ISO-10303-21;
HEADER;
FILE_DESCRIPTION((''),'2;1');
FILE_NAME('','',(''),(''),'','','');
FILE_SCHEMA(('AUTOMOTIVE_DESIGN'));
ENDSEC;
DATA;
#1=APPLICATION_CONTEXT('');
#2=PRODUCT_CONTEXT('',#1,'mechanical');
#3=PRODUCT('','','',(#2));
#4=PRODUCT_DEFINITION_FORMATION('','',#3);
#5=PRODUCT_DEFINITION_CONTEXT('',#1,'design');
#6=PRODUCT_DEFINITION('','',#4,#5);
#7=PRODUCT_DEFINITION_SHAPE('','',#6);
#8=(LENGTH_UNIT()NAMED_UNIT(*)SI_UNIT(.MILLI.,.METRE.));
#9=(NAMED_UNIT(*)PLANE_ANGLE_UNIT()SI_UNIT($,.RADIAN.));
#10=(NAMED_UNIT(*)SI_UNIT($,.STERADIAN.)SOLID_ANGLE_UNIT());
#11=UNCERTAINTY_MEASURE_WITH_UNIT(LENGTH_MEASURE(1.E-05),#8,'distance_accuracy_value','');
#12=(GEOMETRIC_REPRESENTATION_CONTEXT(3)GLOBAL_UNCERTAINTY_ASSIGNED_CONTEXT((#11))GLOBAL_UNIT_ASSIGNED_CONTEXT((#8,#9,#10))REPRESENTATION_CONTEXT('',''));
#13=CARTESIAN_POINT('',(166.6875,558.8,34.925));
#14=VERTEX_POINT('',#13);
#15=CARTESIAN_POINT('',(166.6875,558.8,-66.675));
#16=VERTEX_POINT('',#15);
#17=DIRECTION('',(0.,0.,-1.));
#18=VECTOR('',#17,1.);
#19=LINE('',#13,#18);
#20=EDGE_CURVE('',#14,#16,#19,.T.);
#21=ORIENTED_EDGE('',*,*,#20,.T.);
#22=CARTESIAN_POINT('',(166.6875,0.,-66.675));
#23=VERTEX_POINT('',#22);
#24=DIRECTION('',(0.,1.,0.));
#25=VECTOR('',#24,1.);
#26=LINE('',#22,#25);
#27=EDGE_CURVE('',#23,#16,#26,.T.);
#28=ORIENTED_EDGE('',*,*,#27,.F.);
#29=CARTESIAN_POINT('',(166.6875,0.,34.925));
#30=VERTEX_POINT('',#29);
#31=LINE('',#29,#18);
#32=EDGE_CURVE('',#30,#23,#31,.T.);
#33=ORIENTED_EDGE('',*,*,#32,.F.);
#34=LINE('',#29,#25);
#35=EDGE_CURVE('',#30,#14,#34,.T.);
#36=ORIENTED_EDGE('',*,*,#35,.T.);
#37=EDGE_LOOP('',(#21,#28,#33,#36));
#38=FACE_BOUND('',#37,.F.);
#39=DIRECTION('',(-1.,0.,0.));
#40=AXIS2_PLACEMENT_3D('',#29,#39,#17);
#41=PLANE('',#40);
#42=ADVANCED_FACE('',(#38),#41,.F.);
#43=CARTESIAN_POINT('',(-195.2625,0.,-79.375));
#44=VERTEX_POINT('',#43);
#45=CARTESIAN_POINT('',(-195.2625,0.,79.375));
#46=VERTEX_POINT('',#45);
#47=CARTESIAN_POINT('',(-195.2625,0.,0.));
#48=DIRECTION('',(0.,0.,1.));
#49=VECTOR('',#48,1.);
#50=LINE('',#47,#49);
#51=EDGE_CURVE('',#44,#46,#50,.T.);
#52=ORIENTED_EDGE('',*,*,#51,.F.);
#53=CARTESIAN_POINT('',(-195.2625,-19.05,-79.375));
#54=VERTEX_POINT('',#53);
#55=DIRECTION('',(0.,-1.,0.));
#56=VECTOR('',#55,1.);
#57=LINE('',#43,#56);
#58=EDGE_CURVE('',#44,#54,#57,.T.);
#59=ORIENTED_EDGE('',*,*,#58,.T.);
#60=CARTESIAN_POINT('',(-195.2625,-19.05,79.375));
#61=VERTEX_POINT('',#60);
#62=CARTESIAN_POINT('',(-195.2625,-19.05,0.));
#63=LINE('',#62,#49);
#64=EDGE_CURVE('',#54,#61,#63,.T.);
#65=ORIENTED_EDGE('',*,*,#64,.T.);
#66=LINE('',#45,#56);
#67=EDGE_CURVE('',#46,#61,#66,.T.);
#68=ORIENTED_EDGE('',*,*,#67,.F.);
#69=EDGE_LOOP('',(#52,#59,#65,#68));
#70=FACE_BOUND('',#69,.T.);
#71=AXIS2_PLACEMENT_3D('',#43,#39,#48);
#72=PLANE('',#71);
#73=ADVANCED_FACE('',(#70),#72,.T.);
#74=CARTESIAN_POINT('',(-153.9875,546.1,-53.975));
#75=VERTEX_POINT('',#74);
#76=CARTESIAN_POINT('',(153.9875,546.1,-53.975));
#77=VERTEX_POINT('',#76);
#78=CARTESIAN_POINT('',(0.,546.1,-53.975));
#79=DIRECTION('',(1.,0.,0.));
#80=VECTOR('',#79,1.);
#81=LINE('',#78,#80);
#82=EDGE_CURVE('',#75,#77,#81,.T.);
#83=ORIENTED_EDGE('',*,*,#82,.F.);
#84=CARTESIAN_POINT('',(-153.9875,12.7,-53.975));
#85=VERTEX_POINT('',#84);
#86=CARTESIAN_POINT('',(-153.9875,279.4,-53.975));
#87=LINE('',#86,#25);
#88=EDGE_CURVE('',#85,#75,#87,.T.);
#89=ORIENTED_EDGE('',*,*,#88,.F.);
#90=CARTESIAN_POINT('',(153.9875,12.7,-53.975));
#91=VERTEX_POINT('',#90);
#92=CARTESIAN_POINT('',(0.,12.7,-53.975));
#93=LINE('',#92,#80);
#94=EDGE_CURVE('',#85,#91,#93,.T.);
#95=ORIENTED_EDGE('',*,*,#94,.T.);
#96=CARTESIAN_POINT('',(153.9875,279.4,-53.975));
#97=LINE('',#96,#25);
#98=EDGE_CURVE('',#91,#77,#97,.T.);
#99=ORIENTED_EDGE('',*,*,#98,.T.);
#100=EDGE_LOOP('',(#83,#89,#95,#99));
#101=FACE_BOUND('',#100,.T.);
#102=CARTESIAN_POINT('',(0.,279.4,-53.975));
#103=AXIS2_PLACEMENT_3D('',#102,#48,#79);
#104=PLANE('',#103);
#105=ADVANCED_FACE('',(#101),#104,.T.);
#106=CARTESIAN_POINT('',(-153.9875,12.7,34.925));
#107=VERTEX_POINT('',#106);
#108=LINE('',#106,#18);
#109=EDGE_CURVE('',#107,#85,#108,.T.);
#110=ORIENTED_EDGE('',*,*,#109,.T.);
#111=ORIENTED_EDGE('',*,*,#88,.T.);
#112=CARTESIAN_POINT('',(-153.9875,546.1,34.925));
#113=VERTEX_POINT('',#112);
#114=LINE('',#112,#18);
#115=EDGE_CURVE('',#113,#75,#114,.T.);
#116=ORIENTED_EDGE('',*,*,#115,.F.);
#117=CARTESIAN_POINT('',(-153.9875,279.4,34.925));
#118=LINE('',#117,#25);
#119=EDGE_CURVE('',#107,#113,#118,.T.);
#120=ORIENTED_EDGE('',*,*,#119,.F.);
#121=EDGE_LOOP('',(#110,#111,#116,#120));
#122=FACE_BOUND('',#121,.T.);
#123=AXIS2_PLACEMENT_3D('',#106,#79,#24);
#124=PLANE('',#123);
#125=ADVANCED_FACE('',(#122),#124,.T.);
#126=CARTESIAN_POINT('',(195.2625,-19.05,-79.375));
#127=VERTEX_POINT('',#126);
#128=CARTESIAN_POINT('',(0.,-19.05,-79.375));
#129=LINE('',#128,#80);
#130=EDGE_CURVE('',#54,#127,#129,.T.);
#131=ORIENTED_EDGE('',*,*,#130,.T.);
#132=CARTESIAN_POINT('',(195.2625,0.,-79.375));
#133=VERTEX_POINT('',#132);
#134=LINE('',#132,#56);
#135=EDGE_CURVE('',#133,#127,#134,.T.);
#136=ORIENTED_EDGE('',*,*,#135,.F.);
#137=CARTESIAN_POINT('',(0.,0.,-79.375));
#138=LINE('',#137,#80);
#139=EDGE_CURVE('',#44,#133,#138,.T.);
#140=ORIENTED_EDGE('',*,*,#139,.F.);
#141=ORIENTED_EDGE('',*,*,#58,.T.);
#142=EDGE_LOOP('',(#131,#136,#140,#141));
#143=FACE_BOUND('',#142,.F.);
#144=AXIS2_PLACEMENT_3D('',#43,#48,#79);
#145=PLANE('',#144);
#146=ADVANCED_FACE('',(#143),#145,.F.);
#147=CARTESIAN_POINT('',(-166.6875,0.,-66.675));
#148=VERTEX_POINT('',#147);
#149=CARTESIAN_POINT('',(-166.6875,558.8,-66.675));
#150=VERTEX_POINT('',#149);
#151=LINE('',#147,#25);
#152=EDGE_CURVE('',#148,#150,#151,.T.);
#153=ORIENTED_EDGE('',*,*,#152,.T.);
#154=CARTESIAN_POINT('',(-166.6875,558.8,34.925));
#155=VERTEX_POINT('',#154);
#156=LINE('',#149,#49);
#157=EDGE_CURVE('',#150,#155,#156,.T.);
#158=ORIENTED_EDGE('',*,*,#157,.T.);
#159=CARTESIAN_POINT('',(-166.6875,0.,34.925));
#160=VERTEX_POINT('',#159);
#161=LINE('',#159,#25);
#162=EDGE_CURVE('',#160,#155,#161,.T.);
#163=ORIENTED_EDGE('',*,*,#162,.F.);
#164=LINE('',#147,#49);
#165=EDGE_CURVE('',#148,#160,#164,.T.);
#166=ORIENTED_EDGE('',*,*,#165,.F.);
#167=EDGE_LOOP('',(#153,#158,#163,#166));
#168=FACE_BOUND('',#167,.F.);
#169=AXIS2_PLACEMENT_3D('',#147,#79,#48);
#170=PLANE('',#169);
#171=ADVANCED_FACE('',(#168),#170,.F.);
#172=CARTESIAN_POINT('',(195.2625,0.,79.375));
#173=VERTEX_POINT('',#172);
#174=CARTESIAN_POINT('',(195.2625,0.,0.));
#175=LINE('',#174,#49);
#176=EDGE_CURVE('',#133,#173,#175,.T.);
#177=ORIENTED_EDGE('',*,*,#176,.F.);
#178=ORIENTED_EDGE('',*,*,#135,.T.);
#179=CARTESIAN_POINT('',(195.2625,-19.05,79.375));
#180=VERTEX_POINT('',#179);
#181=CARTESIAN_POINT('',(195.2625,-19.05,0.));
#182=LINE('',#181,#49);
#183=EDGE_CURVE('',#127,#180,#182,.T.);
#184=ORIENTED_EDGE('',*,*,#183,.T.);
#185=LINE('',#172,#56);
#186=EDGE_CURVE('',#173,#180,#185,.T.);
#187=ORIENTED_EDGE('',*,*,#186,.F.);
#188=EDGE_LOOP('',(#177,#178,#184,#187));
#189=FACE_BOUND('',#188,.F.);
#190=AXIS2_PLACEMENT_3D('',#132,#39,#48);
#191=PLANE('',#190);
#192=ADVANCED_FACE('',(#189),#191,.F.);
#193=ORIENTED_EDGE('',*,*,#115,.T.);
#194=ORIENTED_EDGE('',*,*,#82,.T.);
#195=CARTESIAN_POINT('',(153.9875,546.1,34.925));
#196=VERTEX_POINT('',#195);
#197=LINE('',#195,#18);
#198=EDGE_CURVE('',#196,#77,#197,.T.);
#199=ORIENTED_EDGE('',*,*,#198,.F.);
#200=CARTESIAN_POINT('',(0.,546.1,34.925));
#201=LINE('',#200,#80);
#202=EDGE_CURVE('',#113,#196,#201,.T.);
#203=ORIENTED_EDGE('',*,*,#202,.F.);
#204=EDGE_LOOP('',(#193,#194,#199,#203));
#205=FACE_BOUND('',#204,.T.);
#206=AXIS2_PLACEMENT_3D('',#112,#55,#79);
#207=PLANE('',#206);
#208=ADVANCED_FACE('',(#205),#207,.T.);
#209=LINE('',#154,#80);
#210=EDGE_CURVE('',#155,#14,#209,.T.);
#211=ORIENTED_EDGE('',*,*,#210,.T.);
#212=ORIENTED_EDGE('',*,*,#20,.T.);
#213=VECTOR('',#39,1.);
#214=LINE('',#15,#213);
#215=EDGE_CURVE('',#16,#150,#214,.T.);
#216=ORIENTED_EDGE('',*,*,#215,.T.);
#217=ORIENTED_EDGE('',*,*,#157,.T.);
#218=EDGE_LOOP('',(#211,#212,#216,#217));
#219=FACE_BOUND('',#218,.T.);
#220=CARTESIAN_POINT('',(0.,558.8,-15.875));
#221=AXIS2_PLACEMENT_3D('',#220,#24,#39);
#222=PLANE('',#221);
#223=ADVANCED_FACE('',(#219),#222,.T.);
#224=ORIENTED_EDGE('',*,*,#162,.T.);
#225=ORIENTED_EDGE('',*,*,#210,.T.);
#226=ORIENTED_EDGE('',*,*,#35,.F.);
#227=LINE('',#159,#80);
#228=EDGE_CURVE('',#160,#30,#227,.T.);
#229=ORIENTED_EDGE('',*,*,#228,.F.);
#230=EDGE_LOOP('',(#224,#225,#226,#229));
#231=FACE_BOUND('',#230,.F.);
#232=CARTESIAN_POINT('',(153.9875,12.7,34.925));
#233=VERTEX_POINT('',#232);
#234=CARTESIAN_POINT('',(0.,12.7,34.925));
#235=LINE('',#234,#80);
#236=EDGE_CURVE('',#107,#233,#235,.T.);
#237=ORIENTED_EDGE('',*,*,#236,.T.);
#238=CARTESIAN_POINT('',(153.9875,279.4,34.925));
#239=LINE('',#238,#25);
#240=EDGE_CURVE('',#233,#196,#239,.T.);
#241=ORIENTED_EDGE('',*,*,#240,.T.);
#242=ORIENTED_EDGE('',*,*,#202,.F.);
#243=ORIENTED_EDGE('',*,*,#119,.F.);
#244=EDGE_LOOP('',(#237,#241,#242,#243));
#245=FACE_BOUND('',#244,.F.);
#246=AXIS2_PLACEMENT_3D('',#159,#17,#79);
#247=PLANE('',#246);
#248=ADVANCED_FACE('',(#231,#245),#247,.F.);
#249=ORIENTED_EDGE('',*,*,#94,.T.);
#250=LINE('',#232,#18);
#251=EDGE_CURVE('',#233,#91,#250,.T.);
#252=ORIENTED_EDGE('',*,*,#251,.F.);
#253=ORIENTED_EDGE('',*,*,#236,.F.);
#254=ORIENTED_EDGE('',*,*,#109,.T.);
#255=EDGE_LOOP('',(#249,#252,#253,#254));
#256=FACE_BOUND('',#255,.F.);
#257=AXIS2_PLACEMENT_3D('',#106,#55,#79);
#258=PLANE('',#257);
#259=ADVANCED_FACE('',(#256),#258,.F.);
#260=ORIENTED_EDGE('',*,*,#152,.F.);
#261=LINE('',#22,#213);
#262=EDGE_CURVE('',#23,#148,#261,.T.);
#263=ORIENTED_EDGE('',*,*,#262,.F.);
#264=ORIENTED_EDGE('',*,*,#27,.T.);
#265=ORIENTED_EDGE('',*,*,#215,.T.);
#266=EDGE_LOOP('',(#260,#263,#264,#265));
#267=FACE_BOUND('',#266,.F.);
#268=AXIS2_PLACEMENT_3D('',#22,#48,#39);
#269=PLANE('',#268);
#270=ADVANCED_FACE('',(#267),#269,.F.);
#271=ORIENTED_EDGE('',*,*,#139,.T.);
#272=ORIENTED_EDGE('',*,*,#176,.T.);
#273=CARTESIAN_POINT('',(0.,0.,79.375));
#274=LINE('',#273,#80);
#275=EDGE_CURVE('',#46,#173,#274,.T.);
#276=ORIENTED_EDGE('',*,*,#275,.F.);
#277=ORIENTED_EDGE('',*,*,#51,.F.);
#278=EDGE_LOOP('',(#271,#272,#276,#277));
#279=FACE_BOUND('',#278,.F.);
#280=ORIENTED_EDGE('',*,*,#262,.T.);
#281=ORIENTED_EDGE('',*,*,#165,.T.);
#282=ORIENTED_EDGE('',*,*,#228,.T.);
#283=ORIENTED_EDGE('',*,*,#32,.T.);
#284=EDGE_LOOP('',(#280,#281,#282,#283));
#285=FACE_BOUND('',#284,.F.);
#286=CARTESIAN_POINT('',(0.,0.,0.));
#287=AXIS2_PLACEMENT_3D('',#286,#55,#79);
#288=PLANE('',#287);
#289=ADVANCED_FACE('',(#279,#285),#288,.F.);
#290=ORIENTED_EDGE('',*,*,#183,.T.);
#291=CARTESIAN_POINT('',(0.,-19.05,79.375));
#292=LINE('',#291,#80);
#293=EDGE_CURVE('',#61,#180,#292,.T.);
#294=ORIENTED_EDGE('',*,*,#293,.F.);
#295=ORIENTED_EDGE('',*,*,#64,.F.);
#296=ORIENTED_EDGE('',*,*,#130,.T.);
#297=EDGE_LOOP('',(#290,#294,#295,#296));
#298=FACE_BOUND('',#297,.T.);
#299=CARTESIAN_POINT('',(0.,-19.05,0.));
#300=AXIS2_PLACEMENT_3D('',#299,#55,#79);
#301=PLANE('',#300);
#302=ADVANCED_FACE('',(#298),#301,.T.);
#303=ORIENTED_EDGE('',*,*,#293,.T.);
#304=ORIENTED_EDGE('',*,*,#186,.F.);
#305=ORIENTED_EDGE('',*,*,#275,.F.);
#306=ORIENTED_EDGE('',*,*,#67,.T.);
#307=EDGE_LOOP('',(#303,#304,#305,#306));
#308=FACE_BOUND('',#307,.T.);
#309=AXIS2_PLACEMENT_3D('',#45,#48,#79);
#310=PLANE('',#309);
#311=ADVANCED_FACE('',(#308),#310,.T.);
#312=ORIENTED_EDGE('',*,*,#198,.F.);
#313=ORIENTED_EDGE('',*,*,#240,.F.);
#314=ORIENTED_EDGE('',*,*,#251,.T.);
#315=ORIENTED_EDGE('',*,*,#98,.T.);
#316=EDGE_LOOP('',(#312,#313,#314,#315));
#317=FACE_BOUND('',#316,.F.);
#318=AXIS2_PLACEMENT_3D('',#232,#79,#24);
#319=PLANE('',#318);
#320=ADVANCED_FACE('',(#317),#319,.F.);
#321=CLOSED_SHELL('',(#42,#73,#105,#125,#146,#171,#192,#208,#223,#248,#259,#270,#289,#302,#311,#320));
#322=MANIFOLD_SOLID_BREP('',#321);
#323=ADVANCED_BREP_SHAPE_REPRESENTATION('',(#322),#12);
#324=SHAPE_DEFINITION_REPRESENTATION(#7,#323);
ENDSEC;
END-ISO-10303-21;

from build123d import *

# Parameters (mm, degrees)
F0_W     = 390.525
F0_H     = 158.75
F1_DEPTH = 19.05
F3_DEPTH = 558.8
F4_W     = 307.975
F4_H     = 533.4
F5_DEPTH = 88.9


with BuildPart() as f1:
    # F0 (on Front) → F1 (new body)
    with BuildSketch(Plane.XZ):
        Rectangle(F0_W, F0_H)
    extrude(amount=F1_DEPTH)

    # F2 (on face) → F3 (join)
    with BuildSketch(Plane(origin=(0, 0, 0), x_dir=(-1, 0, 0), z_dir=(0, 1, 0))):
        Polygon((-166.6875, -66.675), (0, -66.675), (166.6875, -66.675), (166.6875, 34.925), (-166.6875, 34.925), align=None)
    extrude(amount=F3_DEPTH)

    # F4 (on face) → F5 (cut)
    with BuildSketch(Plane.XY.offset(34.925)):
        with Locations((0, 279.4)):
            Rectangle(F4_W, F4_H)
    extrude(amount=-F5_DEPTH, mode=Mode.SUBTRACT)


solid = f1.part
